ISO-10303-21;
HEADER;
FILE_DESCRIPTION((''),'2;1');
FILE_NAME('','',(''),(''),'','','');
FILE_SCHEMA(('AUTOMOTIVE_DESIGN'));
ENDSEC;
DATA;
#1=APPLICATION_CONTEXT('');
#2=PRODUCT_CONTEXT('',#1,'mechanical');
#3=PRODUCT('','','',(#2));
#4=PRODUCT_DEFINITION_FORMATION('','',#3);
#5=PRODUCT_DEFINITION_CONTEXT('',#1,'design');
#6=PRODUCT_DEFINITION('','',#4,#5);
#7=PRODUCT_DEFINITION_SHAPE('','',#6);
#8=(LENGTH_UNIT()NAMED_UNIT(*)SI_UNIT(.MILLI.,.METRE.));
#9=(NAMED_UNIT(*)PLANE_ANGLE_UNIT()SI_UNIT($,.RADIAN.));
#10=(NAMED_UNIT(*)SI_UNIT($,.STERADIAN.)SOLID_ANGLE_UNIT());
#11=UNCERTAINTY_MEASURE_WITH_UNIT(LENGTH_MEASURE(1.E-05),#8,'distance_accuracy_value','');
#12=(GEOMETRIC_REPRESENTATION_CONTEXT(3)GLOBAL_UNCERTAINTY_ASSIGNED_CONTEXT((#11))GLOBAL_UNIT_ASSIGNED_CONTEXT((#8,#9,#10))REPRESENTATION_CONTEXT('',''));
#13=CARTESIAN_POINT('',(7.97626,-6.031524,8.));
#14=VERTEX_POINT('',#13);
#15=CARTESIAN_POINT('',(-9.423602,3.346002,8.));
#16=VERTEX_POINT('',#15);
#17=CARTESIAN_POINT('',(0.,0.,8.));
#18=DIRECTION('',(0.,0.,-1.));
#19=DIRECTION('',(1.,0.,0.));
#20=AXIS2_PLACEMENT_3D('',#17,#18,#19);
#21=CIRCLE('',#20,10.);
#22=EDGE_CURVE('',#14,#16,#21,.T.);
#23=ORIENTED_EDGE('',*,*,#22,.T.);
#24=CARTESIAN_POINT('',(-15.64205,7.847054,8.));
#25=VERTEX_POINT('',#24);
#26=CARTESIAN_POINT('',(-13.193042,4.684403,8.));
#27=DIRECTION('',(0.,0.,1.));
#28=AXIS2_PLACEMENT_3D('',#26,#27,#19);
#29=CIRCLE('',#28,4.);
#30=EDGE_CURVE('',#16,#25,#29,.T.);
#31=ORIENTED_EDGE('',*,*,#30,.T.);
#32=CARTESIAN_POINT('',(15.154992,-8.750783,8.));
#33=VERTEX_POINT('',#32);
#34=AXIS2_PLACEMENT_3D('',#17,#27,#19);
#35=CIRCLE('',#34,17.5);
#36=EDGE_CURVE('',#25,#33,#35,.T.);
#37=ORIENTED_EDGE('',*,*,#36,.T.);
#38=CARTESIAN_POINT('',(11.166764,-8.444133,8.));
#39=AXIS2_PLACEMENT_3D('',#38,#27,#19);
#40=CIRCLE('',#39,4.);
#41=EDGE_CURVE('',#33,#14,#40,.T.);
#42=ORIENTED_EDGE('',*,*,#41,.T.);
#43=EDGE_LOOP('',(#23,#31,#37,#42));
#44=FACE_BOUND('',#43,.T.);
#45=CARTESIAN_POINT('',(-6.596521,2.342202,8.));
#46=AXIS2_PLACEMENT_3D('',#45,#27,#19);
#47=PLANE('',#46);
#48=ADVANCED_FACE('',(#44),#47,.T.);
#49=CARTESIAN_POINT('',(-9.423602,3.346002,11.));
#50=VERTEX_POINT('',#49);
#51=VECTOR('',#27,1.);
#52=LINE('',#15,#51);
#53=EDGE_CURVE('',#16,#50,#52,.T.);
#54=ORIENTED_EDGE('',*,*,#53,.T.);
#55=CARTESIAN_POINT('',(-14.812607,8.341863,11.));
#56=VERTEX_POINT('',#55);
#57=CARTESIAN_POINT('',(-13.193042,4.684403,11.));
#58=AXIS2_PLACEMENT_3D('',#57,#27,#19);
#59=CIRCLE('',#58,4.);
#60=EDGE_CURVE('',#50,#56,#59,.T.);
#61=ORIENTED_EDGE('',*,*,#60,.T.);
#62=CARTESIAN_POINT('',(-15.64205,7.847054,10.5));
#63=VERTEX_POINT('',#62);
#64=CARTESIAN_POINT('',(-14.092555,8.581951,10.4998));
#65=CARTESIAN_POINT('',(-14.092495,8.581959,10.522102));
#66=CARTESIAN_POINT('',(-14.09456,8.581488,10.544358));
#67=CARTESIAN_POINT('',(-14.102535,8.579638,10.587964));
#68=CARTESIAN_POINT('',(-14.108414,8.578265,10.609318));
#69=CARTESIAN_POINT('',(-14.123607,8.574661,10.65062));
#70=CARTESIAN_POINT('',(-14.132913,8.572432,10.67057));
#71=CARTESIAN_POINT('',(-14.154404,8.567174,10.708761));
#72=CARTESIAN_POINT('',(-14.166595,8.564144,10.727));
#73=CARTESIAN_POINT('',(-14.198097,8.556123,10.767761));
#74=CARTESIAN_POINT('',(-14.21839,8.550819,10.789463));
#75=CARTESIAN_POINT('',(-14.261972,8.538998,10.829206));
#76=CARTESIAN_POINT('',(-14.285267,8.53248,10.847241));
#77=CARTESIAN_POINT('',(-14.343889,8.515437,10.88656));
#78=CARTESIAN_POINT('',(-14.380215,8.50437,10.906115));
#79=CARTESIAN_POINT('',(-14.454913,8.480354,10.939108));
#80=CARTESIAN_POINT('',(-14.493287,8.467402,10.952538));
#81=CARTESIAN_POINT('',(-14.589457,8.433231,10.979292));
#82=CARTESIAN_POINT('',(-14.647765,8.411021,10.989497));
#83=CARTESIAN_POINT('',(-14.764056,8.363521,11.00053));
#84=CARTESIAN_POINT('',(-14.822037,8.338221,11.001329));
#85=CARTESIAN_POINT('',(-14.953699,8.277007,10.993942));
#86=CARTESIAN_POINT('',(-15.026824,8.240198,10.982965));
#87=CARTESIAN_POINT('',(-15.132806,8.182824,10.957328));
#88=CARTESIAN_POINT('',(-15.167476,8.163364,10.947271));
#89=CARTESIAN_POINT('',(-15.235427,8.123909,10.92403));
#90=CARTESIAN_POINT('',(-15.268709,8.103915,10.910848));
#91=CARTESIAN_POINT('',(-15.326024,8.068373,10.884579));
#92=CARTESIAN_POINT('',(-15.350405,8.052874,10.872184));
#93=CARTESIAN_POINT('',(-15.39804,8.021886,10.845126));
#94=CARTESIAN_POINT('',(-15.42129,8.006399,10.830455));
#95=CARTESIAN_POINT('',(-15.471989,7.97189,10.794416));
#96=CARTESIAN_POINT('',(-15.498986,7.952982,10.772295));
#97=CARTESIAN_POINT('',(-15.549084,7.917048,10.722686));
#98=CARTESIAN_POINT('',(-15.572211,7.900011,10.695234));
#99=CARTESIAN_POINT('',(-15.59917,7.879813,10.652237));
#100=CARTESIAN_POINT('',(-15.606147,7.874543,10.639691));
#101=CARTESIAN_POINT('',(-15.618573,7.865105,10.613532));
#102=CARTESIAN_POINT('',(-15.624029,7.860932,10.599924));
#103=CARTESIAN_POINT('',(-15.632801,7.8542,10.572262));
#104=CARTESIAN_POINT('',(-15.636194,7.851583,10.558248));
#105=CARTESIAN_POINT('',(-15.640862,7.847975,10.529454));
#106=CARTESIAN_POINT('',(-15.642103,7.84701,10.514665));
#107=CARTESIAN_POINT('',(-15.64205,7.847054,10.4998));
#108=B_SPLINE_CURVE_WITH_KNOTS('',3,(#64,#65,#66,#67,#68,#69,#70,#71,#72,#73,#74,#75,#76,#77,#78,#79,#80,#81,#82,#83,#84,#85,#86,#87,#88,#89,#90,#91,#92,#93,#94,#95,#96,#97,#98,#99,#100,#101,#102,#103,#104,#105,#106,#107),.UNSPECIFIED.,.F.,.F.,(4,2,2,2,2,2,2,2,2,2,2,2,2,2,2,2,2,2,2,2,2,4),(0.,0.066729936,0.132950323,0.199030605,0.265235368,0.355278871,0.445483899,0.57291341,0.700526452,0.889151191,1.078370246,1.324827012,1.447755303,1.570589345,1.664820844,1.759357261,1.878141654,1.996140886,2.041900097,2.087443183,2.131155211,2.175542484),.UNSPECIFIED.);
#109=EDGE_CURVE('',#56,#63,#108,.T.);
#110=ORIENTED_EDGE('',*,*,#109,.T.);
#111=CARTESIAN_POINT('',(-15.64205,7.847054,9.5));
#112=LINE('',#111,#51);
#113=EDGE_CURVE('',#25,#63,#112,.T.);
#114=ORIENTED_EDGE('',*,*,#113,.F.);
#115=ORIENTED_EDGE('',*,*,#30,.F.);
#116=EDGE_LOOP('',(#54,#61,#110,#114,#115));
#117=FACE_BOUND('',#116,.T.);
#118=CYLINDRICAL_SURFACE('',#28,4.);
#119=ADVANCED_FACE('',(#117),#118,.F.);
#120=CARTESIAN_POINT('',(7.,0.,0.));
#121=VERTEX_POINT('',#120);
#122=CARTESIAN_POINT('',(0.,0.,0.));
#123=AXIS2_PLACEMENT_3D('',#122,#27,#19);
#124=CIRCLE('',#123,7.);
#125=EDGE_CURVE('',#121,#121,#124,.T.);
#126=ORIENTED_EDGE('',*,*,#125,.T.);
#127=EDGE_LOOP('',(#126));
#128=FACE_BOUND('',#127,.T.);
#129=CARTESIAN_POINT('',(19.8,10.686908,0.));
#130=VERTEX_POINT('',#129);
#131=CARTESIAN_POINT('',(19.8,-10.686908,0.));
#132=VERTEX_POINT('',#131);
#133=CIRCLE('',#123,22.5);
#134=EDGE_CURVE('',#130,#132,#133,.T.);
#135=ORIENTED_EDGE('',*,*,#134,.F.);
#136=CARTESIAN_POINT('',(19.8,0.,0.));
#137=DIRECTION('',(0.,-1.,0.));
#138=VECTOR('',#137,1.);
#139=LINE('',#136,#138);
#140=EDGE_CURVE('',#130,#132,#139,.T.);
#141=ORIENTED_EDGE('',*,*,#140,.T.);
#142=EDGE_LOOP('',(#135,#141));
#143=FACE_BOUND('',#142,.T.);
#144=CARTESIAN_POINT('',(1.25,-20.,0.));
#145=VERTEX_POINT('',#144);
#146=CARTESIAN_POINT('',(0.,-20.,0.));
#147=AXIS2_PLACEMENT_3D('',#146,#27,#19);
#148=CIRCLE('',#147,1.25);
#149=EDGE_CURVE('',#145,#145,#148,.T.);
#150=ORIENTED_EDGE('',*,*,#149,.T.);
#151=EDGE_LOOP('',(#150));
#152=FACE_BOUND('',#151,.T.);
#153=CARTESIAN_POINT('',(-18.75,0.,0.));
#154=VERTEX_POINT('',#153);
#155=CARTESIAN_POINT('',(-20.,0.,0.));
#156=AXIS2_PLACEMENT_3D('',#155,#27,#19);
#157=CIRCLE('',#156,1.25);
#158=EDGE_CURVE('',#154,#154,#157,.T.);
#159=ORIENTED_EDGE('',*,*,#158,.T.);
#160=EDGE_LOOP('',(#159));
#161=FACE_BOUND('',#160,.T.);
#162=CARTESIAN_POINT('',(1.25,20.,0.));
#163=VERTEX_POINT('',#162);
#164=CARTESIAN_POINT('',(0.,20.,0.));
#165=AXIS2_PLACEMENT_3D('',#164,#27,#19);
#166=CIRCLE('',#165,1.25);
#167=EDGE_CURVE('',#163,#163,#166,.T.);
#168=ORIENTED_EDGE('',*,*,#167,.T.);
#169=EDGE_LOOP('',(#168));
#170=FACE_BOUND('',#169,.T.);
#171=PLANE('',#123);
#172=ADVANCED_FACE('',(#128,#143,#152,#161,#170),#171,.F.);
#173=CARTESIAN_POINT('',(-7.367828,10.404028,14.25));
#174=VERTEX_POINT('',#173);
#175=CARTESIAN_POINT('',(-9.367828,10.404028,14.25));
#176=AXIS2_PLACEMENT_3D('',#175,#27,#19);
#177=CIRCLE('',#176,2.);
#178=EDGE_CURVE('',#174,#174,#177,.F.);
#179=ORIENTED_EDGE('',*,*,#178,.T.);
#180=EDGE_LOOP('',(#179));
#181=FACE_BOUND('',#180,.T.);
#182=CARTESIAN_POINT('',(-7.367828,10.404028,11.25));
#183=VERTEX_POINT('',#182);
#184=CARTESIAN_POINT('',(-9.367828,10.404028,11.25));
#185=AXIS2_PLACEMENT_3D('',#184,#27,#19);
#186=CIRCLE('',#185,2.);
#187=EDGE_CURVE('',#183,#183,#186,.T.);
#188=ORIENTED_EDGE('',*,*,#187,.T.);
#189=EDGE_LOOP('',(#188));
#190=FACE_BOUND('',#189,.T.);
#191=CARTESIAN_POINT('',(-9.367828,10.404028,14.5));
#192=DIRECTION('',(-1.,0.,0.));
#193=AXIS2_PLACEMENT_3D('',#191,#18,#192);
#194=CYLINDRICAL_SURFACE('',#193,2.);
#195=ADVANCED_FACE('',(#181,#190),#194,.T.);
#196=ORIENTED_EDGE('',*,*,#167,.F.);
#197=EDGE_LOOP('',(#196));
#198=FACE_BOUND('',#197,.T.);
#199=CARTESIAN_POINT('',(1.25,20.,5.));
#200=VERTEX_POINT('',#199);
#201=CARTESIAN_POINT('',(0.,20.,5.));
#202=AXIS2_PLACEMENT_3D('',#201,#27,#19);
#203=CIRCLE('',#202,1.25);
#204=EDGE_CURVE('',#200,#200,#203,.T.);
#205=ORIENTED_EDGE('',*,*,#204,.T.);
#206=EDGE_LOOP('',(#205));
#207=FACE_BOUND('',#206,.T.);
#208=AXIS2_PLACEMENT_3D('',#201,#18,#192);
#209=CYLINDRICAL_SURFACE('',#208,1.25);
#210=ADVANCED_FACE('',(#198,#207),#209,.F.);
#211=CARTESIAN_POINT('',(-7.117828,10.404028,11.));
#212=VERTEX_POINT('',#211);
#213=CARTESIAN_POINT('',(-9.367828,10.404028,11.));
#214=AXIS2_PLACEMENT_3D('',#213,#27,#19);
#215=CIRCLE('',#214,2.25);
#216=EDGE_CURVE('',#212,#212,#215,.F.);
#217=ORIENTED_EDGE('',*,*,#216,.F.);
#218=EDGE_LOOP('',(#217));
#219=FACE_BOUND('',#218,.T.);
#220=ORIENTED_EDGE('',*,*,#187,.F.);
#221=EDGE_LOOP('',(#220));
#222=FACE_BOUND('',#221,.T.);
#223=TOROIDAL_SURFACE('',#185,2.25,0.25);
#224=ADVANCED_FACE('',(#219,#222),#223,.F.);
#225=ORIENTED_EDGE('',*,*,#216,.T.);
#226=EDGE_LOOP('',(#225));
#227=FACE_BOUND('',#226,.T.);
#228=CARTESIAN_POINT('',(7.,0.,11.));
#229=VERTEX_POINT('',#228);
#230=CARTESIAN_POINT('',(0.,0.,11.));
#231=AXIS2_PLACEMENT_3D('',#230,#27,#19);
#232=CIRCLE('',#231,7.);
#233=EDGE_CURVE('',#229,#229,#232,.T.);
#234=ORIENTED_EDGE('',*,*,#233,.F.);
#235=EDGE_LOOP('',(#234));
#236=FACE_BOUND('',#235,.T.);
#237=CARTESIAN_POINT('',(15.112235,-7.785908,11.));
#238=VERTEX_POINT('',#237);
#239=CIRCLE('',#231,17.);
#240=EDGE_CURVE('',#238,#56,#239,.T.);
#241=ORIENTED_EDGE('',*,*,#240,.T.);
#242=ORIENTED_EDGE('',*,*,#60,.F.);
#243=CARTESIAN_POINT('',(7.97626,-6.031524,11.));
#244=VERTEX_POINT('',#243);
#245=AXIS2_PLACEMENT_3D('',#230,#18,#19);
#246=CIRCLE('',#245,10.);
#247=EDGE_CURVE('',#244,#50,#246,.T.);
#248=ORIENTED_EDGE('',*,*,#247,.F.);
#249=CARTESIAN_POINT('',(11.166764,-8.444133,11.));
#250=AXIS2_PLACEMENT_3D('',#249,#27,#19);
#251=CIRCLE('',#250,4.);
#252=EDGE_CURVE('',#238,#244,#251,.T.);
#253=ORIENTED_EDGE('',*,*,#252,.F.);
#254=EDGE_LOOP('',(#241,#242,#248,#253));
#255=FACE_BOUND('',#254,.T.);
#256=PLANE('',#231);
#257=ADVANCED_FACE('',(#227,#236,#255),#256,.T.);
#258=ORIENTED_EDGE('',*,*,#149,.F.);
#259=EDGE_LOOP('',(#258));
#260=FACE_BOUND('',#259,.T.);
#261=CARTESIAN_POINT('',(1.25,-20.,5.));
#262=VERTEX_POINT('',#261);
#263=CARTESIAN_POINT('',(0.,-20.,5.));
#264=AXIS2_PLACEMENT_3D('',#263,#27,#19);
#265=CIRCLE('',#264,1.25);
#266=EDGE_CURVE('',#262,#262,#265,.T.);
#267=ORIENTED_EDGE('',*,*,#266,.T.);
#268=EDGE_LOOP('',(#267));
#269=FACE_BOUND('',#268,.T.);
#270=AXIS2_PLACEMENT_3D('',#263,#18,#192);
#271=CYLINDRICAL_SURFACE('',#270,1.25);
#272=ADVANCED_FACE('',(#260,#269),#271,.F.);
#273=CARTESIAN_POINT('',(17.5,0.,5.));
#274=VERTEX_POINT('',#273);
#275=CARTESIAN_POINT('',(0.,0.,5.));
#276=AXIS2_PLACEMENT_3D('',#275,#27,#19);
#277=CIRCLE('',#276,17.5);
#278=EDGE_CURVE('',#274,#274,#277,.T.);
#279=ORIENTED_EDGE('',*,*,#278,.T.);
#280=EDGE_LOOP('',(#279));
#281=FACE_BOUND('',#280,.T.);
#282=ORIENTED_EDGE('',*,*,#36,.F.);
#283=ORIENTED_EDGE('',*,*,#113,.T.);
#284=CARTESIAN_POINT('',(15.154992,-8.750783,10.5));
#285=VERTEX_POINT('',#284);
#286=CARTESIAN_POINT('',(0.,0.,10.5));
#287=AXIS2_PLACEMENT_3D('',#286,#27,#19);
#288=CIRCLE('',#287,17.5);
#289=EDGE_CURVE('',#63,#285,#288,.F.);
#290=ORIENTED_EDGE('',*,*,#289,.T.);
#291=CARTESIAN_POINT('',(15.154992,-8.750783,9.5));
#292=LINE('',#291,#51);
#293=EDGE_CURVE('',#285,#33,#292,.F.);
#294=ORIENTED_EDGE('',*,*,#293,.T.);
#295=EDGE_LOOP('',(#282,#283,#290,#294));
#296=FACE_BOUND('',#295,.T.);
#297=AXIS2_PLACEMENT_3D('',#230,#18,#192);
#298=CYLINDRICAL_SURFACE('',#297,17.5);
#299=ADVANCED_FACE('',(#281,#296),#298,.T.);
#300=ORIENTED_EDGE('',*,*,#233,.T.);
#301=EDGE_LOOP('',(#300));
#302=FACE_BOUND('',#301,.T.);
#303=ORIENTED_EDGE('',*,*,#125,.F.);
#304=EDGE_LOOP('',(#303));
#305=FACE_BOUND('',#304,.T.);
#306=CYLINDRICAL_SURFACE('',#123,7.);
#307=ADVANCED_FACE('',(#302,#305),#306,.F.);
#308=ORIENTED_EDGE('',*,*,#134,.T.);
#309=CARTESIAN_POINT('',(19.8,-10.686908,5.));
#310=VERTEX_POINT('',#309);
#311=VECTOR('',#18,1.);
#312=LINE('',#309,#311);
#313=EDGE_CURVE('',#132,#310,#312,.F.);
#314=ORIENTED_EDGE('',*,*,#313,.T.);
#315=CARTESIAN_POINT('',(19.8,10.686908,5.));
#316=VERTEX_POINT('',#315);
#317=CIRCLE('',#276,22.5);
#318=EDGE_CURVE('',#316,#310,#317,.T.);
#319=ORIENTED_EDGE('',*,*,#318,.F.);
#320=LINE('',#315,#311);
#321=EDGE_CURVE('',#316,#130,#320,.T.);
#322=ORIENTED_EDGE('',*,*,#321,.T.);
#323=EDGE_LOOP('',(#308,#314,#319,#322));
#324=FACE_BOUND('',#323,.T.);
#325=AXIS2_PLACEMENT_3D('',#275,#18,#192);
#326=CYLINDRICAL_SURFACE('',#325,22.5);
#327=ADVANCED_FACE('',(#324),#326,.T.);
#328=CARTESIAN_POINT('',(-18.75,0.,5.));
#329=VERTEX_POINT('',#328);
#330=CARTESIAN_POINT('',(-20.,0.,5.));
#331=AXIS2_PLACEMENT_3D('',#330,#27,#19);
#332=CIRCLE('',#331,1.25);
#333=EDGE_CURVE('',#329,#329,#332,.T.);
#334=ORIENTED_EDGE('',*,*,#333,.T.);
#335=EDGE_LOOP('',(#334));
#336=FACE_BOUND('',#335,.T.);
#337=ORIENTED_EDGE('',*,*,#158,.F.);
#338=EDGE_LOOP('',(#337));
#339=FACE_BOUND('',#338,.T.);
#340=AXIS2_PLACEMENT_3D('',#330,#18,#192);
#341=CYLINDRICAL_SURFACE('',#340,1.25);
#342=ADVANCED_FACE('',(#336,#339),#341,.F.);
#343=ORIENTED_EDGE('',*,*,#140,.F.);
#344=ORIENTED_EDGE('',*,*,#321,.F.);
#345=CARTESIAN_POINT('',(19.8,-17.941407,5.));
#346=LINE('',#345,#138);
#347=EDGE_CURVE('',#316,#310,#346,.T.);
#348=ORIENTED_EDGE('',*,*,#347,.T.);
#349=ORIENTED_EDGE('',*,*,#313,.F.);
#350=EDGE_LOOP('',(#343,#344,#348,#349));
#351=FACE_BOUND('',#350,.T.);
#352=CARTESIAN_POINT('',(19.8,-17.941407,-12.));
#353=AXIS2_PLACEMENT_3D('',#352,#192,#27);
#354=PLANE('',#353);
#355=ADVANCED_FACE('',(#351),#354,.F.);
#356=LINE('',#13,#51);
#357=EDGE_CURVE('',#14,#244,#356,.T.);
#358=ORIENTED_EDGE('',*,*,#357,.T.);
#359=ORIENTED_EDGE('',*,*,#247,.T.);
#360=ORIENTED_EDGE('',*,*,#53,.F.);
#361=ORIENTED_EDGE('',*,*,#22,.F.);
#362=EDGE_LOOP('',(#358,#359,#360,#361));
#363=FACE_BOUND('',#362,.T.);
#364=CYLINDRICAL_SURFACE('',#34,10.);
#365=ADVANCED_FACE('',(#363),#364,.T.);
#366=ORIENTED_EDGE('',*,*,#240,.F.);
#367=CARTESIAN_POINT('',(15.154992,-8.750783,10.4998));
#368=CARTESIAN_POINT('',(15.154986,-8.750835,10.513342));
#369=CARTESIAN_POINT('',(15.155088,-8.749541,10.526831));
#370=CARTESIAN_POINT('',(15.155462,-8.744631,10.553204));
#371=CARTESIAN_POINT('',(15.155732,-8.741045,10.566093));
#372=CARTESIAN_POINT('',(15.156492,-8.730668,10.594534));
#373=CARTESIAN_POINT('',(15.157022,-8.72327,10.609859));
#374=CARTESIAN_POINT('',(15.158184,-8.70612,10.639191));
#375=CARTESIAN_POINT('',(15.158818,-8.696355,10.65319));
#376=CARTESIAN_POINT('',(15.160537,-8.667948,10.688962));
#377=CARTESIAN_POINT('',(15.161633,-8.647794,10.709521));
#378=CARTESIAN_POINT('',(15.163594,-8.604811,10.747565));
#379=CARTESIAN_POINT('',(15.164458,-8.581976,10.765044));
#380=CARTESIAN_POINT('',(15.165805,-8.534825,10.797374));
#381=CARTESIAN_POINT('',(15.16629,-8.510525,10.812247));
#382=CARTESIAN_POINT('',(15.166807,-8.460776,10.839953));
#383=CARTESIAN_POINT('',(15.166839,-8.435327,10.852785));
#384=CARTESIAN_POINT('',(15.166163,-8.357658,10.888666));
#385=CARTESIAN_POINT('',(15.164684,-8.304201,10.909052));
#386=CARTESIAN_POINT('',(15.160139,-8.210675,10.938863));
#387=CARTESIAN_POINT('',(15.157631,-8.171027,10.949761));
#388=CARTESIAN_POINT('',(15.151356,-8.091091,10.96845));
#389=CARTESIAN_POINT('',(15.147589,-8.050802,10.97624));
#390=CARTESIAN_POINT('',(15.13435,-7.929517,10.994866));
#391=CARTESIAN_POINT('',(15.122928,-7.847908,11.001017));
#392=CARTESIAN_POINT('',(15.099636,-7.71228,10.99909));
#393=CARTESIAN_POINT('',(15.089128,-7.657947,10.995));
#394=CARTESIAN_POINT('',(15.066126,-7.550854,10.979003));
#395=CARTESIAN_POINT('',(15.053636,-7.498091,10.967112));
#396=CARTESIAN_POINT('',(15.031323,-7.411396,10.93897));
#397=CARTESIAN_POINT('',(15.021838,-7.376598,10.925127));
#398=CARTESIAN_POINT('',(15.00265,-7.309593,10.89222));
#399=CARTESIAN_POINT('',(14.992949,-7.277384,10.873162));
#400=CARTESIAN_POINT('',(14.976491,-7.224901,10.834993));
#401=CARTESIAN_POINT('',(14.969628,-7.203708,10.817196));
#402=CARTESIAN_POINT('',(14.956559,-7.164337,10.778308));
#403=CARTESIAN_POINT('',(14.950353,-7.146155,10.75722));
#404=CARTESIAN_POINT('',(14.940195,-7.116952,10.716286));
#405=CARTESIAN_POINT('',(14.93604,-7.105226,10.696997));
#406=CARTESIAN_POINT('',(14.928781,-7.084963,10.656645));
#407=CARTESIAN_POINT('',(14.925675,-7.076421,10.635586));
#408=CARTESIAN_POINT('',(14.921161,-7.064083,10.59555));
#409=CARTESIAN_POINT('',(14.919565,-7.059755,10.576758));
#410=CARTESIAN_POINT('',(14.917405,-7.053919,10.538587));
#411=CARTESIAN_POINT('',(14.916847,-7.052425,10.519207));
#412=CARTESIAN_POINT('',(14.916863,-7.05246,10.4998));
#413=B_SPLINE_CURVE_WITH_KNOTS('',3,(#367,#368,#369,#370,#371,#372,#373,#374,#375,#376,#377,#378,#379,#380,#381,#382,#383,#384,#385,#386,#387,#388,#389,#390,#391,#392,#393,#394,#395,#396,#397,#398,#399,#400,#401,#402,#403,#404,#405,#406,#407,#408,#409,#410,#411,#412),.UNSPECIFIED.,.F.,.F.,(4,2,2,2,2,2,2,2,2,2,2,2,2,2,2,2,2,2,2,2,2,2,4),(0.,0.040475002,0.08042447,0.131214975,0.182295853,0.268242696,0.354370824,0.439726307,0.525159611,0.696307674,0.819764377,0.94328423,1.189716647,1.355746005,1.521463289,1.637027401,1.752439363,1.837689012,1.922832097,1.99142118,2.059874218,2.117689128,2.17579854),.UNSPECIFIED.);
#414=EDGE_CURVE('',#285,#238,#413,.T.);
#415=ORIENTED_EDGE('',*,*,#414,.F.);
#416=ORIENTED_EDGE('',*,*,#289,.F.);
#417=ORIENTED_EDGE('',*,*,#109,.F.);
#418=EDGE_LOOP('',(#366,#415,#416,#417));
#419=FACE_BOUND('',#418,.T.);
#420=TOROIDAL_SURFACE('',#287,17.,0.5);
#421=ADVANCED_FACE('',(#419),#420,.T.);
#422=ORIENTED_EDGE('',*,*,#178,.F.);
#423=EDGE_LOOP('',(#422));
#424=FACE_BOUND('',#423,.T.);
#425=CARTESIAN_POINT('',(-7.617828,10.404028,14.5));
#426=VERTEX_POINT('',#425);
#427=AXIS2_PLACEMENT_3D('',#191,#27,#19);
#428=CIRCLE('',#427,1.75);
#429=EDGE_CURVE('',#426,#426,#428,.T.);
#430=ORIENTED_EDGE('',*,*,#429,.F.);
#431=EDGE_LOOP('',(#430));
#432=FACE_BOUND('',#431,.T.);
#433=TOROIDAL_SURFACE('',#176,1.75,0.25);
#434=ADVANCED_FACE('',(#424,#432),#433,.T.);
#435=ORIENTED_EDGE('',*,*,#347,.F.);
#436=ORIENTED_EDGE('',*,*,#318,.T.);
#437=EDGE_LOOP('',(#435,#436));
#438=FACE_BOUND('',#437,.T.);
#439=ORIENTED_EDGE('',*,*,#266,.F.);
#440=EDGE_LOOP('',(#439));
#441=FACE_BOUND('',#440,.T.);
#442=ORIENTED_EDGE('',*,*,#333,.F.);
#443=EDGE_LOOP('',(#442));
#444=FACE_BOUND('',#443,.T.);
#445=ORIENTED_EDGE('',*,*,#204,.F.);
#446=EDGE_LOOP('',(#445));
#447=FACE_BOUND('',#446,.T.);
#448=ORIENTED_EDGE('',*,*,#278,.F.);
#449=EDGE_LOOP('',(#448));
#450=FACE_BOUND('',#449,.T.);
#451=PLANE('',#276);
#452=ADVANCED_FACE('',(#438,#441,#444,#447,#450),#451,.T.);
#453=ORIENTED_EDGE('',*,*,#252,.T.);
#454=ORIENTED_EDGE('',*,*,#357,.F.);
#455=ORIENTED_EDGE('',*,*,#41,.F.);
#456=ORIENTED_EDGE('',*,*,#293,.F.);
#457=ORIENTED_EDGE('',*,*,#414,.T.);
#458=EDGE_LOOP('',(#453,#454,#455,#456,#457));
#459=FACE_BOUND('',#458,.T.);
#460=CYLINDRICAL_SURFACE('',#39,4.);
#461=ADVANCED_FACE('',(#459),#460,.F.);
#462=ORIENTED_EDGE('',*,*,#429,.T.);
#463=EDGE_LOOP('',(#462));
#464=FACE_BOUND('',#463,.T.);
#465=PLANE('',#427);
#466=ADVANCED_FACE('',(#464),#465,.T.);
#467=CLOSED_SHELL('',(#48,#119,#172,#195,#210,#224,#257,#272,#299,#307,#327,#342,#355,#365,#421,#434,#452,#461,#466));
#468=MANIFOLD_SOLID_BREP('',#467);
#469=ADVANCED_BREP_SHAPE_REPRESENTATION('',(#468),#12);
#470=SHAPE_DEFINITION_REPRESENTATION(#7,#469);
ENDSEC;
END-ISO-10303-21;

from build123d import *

# Parameters (mm, degrees)
SKETCH_1_R          = 22.5
SKETCH_1_R_2        = 1.25
EXTRUDE_1_DEPTH     = 5
SKETCH_2_R          = 17.5
EXTRUDE_2_DEPTH     = 6
SKETCH_3_R          = 2
EXTRUDE_3_DEPTH     = 3.5
FILLET_1_R          = 0.5
FILLET_2_R          = 0.25
CUT_EXTRUDE_1_DEPTH = 3
SKETCH_5_R          = 7
CUT_EXTRUDE_2_DEPTH = 11
SKETCH_6_W          = 10.283159463
SKETCH_6_H          = 33.988548121
CUT_EXTRUDE_3_DEPTH = 17


with BuildPart() as part:
    # 草图1 → 凸台-拉伸1 (new body)
    with BuildSketch(Plane.XY):
        Circle(SKETCH_1_R)
        with Locations((0, 20)):
            Circle(SKETCH_1_R_2, mode=Mode.SUBTRACT)
        with Locations((0, -20)):
            Circle(SKETCH_1_R_2, mode=Mode.SUBTRACT)
        with Locations((-20, 0)):
            Circle(SKETCH_1_R_2, mode=Mode.SUBTRACT)
    extrude(amount=EXTRUDE_1_DEPTH)

    # 草图2 → 凸台-拉伸2 (add)
    with BuildSketch(Plane.XY.offset(5)):
        Circle(SKETCH_2_R)
    extrude(amount=EXTRUDE_2_DEPTH)

    # 草图3 → 凸台-拉伸3 (add)
    with BuildSketch(Plane.XY.offset(11)):
        with Locations((-9.367828489, 10.404027557)):
            Circle(SKETCH_3_R)
    extrude(amount=EXTRUDE_3_DEPTH)

    # 圆角1
    fillet_1_edges = [part.edges().sort_by_distance(p)[0] for p in [
        (-17.5, 0, 11),
    ]]
    fillet(fillet_1_edges, radius=FILLET_1_R)

    # 圆角2
    fillet_2_edges = [part.edges().sort_by_distance(p)[0] for p in [
        (-11.367828489, 10.404027557, 11),
        (-11.367828489, 10.404027557, 14.5),
    ]]
    fillet(fillet_2_edges, radius=FILLET_2_R)

    # 草图4 → 切除-拉伸1 (cut)
    with BuildSketch(Plane.XY.offset(11)):
        with BuildLine():
            ThreePointArc((-16.962482908, 6.022804462), (-8.539705078, -15.845297005), (14.357267915, -10.856742514))
            ThreePointArc((14.357267915, -10.856742514), (13.579373382, -5.253629085), (7.976259953, -6.031523619))
            ThreePointArc((7.976259953, -6.031523619), (-4.744280599, -8.802942781), (-9.423601616, 3.346002479))
            ThreePointArc((-9.423601616, 3.346002479), (-11.85464127, 8.453844117), (-16.962482908, 6.022804462))
        make_face()
    extrude(amount=-CUT_EXTRUDE_1_DEPTH, mode=Mode.SUBTRACT)

    # 草图5 → 切除-拉伸2 (cut)
    with BuildSketch(Plane.XY.offset(11)):
        Circle(SKETCH_5_R)
    extrude(amount=-CUT_EXTRUDE_2_DEPTH, mode=Mode.SUBTRACT)

    # 草图6 → 切除-拉伸3 (cut)
    with BuildSketch(Plane.XY.offset(5)):
        with Locations((24.941579731, -0.947133109)):
            Rectangle(SKETCH_6_W, SKETCH_6_H)
    extrude(amount=-CUT_EXTRUDE_3_DEPTH, mode=Mode.SUBTRACT)


solid = part.part
